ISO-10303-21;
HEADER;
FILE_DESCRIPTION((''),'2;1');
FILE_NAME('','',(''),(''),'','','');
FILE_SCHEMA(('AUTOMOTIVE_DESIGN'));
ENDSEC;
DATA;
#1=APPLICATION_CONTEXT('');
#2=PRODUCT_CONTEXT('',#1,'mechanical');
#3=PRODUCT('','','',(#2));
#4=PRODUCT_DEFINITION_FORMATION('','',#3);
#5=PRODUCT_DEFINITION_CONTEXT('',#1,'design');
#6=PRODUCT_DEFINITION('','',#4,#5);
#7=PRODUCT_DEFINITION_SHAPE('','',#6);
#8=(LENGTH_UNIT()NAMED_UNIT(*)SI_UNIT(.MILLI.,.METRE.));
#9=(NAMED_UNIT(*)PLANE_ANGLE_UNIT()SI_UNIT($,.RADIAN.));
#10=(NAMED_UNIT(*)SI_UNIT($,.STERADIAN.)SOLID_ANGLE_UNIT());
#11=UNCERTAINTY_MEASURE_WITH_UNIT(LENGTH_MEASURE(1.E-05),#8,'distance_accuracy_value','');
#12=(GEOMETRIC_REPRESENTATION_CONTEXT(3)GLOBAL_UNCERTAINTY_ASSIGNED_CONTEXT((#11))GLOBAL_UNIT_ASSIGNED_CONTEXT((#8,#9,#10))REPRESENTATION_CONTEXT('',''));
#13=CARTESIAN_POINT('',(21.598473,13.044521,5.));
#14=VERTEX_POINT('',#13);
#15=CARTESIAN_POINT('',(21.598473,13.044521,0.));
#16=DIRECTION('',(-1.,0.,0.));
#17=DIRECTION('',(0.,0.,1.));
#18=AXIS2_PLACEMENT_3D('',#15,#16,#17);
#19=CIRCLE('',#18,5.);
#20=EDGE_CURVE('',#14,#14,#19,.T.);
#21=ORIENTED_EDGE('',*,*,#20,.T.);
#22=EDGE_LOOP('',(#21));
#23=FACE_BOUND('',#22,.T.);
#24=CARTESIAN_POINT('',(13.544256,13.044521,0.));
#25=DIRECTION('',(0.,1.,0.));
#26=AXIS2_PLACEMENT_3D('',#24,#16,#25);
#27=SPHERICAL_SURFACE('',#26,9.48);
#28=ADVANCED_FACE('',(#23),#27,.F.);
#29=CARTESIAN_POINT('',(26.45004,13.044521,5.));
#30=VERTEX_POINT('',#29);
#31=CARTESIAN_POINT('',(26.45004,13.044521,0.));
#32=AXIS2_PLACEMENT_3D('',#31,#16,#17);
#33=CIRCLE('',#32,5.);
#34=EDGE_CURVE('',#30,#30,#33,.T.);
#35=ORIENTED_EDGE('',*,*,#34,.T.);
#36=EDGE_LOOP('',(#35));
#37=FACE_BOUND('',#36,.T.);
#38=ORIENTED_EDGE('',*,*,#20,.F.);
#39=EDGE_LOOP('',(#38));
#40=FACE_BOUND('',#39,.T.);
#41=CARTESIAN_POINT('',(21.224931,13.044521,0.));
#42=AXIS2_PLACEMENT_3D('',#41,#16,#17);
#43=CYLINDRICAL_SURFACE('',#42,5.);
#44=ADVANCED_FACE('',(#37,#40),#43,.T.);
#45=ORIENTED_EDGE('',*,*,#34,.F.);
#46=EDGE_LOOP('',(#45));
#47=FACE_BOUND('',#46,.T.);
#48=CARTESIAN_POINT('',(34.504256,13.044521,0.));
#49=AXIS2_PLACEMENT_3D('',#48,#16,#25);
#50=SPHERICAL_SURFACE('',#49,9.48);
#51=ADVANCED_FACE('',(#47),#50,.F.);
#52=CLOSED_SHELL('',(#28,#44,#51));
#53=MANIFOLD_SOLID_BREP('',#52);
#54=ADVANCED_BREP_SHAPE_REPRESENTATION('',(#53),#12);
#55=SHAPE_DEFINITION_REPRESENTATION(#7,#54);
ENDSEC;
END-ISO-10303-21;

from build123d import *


with BuildPart() as part:
    # 草图1 → 旋转1 (revolve)
    with BuildSketch(Plane.XY):
        with BuildLine():
            Line((23.024256364, 13.044520575), (25.024256364, 13.044520575))
            ThreePointArc((25.024256364, 13.044520575), (25.387667901, 15.644177244), (26.450040077, 18.044520575))
            Line((26.450040077, 18.044520575), (24.024256364, 18.044520575))
            Line((24.024256364, 18.044520575), (21.598472651, 18.044520575))
            ThreePointArc((21.598472651, 18.044520575), (22.660844827, 15.644177244), (23.024256364, 13.044520575))
        make_face()
    revolve(axis=Axis((21.224930557, 13.044520575, 0), (1, 0, 0)))


solid = part.part
